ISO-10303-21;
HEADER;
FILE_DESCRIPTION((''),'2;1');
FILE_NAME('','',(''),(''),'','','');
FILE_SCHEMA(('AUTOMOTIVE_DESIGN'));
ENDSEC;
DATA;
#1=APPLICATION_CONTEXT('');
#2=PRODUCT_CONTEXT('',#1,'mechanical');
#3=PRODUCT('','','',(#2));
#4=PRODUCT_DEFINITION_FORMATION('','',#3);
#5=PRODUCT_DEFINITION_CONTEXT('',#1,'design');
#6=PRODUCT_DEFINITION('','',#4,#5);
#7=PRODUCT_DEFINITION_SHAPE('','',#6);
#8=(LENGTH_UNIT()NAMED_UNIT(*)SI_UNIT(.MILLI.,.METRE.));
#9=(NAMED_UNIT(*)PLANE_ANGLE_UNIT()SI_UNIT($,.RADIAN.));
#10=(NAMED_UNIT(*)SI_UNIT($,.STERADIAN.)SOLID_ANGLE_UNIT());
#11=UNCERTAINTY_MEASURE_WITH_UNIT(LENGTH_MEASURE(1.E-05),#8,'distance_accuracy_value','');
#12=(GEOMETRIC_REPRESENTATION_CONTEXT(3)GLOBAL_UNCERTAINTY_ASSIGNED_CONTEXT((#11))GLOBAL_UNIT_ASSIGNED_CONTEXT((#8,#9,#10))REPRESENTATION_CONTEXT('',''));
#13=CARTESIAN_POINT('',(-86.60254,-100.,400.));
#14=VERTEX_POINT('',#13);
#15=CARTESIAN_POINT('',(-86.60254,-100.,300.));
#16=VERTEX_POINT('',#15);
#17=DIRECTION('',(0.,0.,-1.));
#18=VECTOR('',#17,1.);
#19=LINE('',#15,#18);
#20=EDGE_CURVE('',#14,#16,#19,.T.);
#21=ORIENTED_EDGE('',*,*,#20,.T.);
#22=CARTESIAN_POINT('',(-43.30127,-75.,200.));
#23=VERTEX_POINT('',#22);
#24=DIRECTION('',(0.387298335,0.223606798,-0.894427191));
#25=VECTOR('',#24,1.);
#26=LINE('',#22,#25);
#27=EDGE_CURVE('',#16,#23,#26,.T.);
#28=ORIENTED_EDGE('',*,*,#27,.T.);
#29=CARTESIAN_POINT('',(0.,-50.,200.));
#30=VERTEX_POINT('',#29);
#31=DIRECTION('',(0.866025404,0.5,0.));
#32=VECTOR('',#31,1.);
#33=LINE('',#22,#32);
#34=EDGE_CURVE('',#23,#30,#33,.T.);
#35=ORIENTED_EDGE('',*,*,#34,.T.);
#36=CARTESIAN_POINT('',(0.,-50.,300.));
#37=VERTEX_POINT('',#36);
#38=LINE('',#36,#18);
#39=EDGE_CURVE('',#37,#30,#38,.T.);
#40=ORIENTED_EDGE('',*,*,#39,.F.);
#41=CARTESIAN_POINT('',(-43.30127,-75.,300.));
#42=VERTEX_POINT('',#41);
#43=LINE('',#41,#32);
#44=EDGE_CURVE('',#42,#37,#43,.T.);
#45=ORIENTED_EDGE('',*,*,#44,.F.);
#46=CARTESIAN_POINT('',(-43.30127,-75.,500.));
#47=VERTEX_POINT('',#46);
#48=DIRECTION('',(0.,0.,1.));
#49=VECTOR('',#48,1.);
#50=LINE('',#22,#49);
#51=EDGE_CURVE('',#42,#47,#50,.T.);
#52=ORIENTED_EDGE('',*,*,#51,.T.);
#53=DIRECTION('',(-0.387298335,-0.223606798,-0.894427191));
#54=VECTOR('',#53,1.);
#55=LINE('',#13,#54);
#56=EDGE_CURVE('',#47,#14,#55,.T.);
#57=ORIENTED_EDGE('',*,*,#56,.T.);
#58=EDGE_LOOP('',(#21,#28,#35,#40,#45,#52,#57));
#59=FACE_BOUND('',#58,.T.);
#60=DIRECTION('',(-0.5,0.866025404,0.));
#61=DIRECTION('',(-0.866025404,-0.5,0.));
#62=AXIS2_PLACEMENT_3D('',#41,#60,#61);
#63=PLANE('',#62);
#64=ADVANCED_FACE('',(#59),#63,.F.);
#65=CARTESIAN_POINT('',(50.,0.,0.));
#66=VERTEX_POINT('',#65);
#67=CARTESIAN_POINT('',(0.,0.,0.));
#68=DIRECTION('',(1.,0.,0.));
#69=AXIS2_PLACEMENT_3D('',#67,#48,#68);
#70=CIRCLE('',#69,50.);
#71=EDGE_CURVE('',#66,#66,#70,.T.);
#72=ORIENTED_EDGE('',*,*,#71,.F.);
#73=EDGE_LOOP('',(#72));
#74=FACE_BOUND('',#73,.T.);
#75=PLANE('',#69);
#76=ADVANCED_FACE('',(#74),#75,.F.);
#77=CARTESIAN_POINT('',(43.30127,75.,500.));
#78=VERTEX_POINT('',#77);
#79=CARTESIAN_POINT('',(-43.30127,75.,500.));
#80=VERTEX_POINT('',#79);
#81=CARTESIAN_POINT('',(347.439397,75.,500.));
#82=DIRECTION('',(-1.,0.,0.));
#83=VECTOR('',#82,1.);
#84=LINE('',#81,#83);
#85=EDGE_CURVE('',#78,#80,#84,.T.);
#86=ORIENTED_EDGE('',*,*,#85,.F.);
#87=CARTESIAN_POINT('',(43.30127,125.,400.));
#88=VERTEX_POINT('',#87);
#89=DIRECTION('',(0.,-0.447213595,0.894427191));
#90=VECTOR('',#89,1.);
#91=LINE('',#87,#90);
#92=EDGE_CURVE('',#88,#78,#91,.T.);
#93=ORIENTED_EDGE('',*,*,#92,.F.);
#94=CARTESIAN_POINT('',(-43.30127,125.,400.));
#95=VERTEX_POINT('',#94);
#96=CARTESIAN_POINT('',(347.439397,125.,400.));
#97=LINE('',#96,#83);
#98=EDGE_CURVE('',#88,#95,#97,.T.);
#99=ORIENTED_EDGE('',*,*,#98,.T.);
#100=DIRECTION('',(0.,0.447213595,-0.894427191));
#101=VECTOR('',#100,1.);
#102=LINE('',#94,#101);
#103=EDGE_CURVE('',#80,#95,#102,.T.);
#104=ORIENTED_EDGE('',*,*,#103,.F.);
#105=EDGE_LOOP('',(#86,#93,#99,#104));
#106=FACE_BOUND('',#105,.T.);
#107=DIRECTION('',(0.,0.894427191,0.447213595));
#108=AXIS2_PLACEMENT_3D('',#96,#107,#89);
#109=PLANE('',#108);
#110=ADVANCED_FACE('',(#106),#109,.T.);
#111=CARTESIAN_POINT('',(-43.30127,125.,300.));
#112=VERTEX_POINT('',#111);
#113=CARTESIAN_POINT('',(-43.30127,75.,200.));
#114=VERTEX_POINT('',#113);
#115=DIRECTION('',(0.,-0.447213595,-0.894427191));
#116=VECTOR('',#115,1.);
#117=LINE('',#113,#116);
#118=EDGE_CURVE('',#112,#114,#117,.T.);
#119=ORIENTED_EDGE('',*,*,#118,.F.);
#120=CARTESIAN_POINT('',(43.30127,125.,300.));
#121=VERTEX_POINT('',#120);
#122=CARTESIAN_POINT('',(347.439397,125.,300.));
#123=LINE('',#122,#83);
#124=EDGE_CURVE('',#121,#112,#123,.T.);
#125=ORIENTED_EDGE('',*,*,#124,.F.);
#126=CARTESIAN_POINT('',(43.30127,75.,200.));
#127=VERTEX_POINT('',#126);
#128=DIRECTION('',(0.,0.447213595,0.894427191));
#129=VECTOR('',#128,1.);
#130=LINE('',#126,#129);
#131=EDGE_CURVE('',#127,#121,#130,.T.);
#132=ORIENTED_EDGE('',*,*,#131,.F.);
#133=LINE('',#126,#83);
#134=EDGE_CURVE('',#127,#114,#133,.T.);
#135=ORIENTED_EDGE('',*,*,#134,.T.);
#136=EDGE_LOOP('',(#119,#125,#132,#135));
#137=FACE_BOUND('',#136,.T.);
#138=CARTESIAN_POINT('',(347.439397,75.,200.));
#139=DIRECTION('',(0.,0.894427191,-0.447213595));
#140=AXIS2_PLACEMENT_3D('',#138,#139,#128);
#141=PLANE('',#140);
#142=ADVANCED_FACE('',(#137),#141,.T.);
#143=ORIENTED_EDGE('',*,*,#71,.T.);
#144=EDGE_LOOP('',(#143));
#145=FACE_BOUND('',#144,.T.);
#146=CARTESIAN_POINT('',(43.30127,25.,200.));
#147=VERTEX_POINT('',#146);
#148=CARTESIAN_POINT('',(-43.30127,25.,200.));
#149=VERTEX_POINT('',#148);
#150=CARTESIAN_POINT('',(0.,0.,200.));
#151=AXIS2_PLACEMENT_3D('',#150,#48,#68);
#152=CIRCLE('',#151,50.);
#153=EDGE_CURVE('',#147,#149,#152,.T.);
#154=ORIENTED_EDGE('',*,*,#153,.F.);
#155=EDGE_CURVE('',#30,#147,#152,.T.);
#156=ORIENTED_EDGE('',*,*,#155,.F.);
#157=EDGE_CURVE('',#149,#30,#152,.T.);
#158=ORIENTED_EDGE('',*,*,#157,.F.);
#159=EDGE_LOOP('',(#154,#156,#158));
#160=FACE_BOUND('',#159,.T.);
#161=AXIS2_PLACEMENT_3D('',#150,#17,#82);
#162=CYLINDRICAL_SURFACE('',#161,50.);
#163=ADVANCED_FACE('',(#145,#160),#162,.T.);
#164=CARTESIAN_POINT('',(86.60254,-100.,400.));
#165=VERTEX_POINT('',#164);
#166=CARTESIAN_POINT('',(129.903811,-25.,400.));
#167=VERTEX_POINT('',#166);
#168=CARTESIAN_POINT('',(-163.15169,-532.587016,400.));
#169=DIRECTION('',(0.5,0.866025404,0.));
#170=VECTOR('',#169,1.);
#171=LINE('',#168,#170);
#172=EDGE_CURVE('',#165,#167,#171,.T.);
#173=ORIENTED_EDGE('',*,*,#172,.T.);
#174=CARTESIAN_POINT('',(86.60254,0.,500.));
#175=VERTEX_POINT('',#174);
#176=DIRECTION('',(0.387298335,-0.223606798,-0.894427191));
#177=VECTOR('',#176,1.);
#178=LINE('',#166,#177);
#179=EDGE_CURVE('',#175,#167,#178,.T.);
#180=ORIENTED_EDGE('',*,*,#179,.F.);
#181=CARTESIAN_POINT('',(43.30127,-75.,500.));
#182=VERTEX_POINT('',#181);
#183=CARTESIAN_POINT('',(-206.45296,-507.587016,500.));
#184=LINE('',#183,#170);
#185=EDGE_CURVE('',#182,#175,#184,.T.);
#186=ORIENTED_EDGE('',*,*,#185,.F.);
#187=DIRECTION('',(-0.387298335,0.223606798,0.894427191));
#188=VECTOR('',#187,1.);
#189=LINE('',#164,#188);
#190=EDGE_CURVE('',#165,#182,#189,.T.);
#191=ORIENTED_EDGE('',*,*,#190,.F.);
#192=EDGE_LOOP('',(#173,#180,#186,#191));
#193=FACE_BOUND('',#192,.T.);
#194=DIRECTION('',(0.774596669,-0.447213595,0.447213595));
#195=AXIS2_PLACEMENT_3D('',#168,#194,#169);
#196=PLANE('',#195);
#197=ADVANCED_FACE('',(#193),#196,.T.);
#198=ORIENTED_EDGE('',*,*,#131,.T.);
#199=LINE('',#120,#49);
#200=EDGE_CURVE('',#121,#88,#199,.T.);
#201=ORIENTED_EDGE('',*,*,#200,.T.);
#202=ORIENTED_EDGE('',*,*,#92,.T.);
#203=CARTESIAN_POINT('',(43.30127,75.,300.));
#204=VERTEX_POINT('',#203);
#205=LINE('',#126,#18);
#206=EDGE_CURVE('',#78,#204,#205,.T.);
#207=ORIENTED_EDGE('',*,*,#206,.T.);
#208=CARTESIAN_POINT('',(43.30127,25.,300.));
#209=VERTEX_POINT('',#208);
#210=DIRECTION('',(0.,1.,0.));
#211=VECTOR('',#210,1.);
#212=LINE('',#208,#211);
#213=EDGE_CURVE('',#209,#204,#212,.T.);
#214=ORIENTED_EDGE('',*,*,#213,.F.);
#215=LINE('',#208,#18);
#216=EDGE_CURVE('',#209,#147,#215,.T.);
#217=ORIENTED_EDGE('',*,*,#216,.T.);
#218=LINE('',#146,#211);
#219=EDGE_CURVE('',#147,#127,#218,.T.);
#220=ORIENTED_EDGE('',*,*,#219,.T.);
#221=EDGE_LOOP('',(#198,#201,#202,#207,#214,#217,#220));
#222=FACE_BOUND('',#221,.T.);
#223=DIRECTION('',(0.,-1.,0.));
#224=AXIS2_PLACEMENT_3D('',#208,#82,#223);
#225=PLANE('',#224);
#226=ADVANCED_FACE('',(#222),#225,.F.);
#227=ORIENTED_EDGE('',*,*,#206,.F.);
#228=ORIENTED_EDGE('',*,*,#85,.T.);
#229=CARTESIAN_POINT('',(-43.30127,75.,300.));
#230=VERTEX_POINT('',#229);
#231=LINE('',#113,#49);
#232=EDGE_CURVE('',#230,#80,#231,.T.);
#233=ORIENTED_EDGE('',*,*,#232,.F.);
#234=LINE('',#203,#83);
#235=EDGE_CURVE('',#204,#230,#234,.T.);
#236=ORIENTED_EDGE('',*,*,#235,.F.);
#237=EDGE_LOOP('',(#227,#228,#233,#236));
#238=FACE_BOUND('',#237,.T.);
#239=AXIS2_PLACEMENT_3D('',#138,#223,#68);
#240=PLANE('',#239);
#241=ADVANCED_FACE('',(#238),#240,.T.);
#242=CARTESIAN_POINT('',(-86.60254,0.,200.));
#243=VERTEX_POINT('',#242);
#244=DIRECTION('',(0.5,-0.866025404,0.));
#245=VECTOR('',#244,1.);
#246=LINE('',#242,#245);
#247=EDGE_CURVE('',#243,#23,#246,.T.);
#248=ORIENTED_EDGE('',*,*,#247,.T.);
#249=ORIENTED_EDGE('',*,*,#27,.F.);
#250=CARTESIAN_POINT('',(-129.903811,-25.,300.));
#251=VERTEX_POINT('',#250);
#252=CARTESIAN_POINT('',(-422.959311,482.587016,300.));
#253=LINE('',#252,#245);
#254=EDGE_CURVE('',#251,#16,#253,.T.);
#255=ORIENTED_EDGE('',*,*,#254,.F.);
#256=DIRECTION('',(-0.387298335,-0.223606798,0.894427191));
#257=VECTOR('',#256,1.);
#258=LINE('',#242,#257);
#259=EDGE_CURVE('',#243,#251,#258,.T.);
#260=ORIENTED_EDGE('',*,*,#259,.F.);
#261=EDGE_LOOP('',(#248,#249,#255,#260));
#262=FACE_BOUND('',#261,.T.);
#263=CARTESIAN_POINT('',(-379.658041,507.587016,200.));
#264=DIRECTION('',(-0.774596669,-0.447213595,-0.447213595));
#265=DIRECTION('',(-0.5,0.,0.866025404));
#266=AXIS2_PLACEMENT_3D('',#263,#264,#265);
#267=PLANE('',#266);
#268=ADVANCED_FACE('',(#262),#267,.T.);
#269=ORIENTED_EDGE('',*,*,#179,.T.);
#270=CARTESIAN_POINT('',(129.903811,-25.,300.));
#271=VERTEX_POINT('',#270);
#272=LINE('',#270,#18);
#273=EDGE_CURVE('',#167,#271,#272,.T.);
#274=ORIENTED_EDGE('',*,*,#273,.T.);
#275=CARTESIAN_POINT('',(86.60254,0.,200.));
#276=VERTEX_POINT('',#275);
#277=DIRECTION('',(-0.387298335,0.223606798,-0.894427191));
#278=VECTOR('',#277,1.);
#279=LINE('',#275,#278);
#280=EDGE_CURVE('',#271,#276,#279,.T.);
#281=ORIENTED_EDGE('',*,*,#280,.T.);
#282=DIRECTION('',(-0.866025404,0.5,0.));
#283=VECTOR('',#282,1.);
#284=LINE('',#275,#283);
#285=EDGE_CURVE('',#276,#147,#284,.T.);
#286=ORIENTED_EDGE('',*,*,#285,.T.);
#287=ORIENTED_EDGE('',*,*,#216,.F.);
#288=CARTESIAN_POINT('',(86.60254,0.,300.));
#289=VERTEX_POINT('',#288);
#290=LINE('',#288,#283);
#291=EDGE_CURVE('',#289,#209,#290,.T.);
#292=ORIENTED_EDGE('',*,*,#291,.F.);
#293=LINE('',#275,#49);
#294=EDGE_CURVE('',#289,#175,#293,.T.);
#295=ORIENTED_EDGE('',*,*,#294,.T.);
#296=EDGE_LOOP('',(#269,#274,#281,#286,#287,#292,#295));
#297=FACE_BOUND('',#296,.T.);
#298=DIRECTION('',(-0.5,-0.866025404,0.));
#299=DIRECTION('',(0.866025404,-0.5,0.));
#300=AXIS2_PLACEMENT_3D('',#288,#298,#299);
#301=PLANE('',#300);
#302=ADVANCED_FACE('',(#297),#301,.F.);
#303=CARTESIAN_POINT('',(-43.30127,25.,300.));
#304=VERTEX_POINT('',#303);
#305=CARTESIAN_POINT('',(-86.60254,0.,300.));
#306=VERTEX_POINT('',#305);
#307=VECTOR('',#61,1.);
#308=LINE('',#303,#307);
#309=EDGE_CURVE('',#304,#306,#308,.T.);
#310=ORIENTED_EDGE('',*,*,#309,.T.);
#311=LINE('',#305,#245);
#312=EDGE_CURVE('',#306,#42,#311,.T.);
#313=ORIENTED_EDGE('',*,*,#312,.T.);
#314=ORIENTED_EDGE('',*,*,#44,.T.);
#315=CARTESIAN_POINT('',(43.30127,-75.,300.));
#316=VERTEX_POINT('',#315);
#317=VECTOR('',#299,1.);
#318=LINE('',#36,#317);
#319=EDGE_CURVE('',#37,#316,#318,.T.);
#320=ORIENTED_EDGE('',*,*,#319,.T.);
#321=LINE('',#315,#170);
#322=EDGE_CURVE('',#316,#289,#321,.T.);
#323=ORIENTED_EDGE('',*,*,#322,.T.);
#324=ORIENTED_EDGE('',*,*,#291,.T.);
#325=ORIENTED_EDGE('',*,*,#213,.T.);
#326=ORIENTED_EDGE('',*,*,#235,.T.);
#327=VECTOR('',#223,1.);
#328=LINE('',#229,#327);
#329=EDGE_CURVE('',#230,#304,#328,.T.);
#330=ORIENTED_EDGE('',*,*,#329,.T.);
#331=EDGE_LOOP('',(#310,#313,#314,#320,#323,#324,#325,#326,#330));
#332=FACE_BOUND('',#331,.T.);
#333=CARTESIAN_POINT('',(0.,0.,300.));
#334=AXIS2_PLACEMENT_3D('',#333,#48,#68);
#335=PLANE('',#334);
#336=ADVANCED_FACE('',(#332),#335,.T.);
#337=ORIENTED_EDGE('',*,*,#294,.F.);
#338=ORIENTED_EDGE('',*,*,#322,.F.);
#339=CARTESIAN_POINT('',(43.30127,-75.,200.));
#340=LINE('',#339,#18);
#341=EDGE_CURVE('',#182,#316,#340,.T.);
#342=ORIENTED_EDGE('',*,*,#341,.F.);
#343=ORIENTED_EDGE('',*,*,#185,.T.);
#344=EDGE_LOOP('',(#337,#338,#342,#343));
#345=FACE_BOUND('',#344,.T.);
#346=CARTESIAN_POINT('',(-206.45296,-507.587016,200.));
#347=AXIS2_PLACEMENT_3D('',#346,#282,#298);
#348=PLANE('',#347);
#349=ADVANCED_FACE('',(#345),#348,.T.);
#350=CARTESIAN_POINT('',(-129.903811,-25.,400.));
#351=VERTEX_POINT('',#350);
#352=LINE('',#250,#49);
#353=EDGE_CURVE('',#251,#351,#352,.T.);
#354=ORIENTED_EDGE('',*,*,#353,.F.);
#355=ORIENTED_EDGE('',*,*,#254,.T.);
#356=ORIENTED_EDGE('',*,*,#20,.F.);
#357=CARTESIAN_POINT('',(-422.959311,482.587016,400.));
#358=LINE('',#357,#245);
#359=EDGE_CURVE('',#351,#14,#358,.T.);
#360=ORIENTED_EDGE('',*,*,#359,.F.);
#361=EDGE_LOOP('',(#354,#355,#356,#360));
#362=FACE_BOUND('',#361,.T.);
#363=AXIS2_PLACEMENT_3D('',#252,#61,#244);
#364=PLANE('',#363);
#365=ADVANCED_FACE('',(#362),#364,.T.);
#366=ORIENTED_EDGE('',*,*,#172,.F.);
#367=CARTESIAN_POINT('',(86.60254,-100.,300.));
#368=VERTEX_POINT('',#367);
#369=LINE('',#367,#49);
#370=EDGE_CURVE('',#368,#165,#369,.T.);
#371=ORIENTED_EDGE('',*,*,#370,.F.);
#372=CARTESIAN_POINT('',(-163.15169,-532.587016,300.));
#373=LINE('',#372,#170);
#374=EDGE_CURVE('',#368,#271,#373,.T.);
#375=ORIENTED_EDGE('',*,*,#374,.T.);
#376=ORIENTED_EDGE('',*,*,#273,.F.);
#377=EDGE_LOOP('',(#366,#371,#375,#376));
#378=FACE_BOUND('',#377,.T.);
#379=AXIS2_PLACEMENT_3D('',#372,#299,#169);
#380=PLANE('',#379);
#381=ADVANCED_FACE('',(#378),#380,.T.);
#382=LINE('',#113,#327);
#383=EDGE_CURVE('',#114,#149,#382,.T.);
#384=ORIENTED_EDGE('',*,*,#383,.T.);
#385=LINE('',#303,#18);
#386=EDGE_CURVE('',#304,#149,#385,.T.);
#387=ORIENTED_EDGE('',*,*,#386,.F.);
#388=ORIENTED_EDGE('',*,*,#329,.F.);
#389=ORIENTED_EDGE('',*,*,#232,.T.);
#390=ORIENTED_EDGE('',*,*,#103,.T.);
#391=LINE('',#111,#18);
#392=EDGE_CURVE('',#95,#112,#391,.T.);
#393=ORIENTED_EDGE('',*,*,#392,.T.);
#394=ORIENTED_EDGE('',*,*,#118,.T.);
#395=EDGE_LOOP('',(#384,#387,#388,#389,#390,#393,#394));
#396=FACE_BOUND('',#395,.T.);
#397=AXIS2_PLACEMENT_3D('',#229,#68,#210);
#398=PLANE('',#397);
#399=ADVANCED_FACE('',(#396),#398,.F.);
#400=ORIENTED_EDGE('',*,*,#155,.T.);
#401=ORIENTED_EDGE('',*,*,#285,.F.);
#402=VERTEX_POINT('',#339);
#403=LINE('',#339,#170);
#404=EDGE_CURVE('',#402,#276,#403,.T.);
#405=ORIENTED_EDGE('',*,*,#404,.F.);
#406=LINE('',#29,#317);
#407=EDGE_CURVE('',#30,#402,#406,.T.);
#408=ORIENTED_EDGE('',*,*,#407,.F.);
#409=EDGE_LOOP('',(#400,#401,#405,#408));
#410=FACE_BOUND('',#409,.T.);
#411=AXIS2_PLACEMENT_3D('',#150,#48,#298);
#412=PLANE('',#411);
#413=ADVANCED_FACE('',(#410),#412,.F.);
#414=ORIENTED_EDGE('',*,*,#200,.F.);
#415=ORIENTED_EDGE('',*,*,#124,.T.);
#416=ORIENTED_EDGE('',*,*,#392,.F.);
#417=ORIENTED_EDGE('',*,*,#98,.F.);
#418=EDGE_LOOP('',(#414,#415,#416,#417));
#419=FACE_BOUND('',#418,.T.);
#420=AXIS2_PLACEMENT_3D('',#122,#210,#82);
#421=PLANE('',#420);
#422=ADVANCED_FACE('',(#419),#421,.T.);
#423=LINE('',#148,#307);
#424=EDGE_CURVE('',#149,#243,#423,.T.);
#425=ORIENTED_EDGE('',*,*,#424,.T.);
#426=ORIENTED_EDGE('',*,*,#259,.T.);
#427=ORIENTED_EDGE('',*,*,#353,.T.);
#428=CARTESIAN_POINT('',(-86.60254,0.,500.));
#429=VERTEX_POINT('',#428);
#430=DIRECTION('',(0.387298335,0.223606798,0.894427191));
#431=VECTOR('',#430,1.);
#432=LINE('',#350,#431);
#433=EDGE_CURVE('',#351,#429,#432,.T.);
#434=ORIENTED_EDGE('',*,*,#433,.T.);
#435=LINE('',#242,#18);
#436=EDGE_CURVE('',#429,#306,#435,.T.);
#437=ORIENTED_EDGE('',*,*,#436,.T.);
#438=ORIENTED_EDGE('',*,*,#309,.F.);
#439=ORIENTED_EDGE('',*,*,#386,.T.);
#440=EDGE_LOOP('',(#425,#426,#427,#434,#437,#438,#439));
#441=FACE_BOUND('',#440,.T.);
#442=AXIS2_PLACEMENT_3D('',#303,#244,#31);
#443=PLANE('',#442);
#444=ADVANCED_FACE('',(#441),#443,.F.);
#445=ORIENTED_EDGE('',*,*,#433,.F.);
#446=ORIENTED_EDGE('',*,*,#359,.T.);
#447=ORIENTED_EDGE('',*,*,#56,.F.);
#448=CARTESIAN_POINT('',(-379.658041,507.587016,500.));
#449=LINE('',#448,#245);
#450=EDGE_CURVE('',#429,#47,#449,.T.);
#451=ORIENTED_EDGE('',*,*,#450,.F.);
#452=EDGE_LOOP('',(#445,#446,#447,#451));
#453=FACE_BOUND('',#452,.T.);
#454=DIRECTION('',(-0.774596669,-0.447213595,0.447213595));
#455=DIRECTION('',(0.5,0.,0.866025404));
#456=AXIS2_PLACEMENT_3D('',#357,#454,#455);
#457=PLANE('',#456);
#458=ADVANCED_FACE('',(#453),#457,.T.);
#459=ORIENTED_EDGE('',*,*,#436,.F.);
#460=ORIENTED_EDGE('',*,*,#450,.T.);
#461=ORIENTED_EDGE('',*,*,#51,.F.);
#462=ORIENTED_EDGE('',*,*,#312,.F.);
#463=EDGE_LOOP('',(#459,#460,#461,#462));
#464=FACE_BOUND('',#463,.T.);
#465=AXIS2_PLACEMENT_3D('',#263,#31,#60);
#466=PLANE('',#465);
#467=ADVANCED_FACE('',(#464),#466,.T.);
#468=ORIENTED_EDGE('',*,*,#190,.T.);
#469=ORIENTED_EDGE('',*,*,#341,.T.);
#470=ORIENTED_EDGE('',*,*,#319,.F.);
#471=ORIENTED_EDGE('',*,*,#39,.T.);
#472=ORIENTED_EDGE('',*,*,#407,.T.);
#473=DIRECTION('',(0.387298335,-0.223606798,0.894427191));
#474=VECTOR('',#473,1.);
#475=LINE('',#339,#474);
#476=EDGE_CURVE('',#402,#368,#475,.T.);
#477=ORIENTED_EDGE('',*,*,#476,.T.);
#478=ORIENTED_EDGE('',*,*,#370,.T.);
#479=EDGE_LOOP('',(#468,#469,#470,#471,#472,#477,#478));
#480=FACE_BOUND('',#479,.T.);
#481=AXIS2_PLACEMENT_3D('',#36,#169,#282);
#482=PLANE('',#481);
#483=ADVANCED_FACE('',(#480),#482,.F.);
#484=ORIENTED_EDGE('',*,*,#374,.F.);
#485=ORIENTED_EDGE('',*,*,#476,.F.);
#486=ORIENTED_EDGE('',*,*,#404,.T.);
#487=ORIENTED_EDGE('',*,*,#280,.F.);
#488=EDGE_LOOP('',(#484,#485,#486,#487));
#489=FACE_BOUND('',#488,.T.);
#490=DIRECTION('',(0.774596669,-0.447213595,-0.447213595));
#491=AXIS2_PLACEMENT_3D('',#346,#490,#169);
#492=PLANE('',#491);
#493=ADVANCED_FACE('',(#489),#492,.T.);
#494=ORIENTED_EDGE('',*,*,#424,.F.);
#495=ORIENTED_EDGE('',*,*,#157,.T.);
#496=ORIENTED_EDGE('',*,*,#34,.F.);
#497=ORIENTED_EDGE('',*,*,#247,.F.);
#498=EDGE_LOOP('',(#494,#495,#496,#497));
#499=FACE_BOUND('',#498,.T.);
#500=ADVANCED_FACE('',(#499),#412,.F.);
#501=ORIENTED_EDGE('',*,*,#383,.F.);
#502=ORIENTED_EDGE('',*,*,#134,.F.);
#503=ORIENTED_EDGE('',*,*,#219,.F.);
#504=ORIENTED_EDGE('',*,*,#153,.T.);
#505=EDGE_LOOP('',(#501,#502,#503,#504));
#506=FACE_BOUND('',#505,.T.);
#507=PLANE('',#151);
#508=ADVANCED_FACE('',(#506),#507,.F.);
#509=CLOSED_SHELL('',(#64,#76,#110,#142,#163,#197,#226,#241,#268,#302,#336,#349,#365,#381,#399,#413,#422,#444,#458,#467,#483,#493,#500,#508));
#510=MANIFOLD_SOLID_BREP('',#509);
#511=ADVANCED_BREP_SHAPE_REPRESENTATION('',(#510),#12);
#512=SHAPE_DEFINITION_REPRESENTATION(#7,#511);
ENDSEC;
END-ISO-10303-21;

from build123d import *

# Parameters (mm, degrees)
SKETCH1_R           = 50
BOSS_EXTRUDE1_DEPTH = 200
BOSS_EXTRUDE2_DEPTH = 100
BOSS_EXTRUDE4_DEPTH = 86.60254
CIRPATTERN1_COUNT   = 3


with BuildPart() as part:
    # Sketch1 → Boss-Extrude1 (new body)
    with BuildSketch(Plane.XY):
        Circle(SKETCH1_R)
    extrude(amount=BOSS_EXTRUDE1_DEPTH)

    # Sketch2 → Boss-Extrude2 (add)
    with BuildSketch(Plane.XY.offset(200)):
        Polygon((43.301270189, 25), (43.301270189, 75), (-43.301270189, 75), (-43.301270189, 25), (0, 0), align=None)
    boss_extrude2 = extrude(amount=BOSS_EXTRUDE2_DEPTH)

    # Sketch3 → Boss-Extrude4 (add)
    with BuildSketch(Plane(origin=(-43.301270189, 0, 0), x_dir=(0, 1, 0), z_dir=(-1, 0, 0))):
        Polygon((75, -200), (75, -500), (125, -400), (125, -300), align=None)
    boss_extrude4 = extrude(amount=-BOSS_EXTRUDE4_DEPTH)

    # CirPattern1: Boss-Extrude2, Boss-Extrude4 ×3 about axis
    cirpattern1_axis = Axis((0, 0, 0), (0, 0, 1))
    for i in range(1, CIRPATTERN1_COUNT):
        add(boss_extrude2.rotate(cirpattern1_axis, i * 360 / CIRPATTERN1_COUNT))
        add(boss_extrude4.rotate(cirpattern1_axis, i * 360 / CIRPATTERN1_COUNT))


solid = part.part
